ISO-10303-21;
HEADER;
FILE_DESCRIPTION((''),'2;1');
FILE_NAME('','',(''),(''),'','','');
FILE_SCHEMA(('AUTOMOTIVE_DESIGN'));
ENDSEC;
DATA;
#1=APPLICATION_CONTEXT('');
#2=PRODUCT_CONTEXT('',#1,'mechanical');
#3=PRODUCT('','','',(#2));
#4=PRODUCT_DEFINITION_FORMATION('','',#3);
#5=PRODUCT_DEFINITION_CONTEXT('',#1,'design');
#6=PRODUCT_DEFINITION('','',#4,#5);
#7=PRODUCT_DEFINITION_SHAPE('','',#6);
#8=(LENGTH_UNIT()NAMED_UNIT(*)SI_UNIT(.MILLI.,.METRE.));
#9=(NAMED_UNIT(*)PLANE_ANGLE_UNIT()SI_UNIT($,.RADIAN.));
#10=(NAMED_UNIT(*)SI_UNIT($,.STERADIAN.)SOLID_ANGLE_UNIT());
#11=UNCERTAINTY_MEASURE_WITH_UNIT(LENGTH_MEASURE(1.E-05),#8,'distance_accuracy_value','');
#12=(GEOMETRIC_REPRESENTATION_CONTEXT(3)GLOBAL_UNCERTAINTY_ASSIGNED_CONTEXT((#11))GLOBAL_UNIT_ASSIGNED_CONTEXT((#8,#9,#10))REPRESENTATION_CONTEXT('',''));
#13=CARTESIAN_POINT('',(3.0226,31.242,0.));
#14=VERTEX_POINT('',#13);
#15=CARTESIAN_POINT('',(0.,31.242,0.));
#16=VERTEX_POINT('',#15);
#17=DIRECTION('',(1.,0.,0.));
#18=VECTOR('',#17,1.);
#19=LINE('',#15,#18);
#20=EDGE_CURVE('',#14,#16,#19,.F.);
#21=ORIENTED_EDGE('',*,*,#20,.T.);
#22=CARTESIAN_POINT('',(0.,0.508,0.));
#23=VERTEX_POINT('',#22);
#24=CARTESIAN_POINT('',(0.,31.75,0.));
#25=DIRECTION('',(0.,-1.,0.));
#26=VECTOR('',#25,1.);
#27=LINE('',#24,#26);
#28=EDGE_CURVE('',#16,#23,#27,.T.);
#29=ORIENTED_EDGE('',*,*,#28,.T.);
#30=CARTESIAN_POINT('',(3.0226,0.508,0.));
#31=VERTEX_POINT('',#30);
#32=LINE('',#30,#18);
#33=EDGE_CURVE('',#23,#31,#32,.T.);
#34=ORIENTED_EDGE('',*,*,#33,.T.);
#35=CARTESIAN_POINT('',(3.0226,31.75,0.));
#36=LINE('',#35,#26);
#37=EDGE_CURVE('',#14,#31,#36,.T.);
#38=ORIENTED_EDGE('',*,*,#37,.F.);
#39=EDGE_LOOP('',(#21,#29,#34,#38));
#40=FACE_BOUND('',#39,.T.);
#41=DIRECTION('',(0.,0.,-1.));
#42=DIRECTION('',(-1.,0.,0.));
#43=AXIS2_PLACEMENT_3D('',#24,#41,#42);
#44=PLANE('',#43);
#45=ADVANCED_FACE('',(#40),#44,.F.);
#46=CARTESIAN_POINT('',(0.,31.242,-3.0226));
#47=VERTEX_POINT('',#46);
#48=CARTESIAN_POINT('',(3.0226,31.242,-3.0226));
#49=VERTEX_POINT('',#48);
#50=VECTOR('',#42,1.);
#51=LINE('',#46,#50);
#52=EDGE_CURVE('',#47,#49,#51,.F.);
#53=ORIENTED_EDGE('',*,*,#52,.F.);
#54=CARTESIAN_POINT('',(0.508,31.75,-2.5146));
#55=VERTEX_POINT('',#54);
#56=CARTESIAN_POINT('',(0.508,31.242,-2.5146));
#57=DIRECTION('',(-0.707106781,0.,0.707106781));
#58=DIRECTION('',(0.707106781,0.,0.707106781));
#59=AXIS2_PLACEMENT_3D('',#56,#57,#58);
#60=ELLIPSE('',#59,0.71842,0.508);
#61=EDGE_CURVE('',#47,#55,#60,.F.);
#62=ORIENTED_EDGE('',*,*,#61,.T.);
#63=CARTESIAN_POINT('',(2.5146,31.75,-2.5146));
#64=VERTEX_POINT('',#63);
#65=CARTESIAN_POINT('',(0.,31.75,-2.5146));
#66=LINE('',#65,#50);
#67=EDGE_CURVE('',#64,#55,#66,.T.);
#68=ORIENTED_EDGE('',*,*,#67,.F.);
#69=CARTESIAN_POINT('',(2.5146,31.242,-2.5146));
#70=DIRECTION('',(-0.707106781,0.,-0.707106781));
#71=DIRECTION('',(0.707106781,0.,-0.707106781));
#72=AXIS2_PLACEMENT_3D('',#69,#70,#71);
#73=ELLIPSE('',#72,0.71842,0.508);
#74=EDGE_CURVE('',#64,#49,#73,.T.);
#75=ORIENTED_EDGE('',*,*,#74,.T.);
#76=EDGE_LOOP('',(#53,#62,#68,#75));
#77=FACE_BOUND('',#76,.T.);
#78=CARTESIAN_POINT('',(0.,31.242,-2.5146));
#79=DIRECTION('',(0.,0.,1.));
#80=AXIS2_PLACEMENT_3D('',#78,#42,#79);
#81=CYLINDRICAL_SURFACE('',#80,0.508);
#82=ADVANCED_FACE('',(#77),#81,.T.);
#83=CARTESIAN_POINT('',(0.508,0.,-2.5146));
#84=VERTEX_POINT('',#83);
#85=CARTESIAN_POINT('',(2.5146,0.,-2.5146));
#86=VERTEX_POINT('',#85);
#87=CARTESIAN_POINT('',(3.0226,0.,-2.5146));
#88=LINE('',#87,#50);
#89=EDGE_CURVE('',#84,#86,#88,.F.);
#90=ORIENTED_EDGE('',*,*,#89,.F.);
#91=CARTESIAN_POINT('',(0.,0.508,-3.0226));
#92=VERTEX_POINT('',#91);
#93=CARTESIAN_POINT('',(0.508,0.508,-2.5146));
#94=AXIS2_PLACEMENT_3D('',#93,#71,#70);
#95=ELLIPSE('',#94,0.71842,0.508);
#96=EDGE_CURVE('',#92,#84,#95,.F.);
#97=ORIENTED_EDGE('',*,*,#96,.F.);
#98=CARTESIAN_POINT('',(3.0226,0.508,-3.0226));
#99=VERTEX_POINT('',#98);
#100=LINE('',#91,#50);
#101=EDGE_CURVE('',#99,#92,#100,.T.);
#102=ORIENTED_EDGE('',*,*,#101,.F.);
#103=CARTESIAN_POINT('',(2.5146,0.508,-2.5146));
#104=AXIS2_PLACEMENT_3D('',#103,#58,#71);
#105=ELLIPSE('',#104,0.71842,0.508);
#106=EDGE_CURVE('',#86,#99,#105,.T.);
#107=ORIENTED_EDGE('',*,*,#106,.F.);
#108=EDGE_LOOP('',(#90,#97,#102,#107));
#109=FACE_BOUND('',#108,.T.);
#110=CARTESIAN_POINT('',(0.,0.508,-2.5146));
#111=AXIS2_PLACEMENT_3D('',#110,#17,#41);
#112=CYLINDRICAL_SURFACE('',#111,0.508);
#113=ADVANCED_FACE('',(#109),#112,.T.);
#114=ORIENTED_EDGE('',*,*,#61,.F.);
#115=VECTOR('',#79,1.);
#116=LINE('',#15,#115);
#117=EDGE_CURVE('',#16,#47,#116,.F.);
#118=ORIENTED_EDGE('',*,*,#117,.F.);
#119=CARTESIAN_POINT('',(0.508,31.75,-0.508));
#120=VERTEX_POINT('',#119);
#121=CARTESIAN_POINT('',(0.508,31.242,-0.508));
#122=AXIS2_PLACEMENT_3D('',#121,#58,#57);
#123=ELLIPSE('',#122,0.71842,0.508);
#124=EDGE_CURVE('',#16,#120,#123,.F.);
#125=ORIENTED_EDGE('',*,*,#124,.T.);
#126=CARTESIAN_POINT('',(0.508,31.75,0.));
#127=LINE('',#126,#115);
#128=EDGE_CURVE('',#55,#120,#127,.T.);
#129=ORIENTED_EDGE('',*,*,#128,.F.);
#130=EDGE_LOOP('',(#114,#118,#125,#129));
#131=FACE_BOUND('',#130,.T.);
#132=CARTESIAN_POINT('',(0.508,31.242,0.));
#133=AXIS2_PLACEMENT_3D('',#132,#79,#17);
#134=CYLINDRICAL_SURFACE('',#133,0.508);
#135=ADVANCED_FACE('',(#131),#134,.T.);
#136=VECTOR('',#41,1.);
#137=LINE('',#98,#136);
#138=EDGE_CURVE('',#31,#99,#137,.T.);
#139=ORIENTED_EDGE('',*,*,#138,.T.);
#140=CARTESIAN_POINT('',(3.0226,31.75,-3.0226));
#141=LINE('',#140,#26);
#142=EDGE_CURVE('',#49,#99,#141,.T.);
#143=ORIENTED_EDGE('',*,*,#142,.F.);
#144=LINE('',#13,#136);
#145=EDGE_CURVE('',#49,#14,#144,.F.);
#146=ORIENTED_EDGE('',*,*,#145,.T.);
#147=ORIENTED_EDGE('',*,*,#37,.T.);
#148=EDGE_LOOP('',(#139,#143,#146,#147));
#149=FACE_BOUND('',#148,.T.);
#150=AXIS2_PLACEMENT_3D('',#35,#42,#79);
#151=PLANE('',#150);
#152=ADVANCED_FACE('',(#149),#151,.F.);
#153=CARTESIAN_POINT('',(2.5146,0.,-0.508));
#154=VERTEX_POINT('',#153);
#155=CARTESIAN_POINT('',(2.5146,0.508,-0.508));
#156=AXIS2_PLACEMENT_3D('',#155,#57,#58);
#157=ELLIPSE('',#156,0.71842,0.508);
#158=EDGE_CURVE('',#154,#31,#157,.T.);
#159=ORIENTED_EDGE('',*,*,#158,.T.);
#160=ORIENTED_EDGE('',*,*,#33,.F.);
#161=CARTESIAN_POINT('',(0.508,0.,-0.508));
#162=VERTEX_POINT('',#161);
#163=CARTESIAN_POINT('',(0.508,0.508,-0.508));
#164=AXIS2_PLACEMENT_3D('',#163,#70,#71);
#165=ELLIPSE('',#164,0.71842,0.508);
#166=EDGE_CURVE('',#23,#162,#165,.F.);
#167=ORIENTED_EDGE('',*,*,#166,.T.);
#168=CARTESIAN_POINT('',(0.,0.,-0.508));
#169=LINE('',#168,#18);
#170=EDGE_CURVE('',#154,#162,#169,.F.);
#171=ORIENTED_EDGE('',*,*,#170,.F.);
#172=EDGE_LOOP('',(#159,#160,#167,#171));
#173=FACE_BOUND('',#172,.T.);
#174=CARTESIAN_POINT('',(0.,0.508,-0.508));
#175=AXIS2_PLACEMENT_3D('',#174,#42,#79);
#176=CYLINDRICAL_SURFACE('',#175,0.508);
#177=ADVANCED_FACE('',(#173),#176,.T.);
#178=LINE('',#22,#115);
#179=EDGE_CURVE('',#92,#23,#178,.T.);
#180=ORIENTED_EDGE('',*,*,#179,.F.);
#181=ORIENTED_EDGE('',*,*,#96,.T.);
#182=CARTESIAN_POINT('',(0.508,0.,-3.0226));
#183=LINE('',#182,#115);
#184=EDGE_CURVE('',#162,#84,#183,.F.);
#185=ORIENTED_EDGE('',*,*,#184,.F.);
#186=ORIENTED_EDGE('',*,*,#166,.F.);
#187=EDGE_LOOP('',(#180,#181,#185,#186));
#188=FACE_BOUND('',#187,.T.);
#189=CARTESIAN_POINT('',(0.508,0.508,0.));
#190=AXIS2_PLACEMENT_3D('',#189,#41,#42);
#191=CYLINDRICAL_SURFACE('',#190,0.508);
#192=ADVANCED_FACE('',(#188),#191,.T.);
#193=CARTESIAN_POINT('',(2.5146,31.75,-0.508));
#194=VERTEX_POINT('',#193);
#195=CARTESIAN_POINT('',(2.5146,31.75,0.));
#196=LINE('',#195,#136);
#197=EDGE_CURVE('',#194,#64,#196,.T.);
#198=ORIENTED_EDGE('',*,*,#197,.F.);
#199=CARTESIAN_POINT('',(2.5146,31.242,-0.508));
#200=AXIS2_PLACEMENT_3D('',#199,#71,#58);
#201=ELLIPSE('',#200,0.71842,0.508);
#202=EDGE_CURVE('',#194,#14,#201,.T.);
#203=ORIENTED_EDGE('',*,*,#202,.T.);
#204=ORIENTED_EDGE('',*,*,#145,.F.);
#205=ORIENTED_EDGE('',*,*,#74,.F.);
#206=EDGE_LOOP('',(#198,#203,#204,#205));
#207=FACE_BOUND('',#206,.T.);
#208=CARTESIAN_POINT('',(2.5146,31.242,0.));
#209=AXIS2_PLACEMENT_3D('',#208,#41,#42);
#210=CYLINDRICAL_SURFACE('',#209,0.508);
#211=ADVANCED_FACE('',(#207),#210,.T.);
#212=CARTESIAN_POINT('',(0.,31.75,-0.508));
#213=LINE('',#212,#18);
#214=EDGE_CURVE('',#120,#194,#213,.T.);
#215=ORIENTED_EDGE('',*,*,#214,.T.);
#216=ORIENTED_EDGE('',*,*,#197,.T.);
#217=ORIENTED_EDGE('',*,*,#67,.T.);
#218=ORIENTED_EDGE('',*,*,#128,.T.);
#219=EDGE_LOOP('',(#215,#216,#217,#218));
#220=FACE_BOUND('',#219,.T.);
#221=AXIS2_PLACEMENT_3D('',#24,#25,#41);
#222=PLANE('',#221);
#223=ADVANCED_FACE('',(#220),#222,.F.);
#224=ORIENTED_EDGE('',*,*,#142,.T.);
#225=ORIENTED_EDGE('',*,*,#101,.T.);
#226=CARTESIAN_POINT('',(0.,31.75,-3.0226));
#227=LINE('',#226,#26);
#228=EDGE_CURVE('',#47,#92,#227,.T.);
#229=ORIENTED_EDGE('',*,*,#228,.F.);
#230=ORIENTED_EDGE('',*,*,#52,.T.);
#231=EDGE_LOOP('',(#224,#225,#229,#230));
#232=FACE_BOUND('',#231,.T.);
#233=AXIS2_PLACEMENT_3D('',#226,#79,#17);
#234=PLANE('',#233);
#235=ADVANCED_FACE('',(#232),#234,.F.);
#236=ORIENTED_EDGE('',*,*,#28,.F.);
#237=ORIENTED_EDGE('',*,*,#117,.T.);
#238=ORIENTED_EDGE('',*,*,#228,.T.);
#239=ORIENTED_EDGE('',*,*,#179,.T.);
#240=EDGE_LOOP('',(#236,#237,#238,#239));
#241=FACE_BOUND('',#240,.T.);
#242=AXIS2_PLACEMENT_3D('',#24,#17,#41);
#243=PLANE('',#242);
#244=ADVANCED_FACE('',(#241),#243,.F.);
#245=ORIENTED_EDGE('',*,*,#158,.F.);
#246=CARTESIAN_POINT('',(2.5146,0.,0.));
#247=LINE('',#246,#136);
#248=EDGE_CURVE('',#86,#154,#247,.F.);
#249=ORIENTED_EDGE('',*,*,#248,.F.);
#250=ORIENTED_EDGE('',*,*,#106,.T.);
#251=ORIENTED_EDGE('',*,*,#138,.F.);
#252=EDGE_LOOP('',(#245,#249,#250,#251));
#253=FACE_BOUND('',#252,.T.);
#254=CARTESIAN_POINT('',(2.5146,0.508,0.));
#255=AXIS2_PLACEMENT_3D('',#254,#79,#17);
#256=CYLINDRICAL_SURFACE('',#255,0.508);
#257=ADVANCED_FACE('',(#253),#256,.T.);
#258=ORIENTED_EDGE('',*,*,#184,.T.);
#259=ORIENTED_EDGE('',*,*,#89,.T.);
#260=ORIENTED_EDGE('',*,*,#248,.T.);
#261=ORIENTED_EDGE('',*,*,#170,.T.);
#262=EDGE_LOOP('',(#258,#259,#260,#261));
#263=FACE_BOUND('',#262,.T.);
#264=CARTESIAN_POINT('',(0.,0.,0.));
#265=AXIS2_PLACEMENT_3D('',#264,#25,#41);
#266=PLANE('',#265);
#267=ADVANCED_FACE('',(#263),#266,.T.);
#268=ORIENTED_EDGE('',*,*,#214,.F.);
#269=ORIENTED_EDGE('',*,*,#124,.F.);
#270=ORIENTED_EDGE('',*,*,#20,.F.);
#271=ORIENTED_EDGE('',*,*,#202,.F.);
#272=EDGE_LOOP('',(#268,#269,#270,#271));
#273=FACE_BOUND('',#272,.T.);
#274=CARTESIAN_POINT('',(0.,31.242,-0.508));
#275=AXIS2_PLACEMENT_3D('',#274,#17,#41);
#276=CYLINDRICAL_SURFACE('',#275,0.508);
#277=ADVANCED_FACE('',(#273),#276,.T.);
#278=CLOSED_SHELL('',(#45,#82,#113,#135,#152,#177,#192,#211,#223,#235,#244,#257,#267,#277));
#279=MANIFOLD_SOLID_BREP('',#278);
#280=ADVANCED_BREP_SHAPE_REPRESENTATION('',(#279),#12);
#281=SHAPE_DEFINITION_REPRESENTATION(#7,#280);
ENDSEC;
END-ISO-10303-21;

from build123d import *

# Parameters (mm, degrees)
SKETCH1_W           = 3.0226
SKETCH1_H           = 3.0226
BOSS_EXTRUDE1_DEPTH = 31.75
FILLET1_R           = 0.508


with BuildPart() as part:
    # Sketch1 → Boss-Extrude1 (new body)
    with BuildSketch(Plane(origin=(0, 0, 0), x_dir=(1, 0, 0), z_dir=(0, 1, 0))):
        with Locations((1.5113, 1.5113)):
            Rectangle(SKETCH1_W, SKETCH1_H)
    extrude(amount=BOSS_EXTRUDE1_DEPTH)

    # Fillet1
    fillet1_edges = [part.edges().sort_by_distance(p)[0] for p in [
        (3.0226, 31.75, -1.5113),
        (1.5113, 31.75, -3.0226),
        (0, 31.75, -1.5113),
        (1.5113, 0, -3.0226),
        (3.0226, 0, -1.5113),
        (1.5113, 0, 0),
        (0, 0, -1.5113),
        (1.5113, 31.75, 0),
    ]]
    fillet(fillet1_edges, radius=FILLET1_R)


solid = part.part
